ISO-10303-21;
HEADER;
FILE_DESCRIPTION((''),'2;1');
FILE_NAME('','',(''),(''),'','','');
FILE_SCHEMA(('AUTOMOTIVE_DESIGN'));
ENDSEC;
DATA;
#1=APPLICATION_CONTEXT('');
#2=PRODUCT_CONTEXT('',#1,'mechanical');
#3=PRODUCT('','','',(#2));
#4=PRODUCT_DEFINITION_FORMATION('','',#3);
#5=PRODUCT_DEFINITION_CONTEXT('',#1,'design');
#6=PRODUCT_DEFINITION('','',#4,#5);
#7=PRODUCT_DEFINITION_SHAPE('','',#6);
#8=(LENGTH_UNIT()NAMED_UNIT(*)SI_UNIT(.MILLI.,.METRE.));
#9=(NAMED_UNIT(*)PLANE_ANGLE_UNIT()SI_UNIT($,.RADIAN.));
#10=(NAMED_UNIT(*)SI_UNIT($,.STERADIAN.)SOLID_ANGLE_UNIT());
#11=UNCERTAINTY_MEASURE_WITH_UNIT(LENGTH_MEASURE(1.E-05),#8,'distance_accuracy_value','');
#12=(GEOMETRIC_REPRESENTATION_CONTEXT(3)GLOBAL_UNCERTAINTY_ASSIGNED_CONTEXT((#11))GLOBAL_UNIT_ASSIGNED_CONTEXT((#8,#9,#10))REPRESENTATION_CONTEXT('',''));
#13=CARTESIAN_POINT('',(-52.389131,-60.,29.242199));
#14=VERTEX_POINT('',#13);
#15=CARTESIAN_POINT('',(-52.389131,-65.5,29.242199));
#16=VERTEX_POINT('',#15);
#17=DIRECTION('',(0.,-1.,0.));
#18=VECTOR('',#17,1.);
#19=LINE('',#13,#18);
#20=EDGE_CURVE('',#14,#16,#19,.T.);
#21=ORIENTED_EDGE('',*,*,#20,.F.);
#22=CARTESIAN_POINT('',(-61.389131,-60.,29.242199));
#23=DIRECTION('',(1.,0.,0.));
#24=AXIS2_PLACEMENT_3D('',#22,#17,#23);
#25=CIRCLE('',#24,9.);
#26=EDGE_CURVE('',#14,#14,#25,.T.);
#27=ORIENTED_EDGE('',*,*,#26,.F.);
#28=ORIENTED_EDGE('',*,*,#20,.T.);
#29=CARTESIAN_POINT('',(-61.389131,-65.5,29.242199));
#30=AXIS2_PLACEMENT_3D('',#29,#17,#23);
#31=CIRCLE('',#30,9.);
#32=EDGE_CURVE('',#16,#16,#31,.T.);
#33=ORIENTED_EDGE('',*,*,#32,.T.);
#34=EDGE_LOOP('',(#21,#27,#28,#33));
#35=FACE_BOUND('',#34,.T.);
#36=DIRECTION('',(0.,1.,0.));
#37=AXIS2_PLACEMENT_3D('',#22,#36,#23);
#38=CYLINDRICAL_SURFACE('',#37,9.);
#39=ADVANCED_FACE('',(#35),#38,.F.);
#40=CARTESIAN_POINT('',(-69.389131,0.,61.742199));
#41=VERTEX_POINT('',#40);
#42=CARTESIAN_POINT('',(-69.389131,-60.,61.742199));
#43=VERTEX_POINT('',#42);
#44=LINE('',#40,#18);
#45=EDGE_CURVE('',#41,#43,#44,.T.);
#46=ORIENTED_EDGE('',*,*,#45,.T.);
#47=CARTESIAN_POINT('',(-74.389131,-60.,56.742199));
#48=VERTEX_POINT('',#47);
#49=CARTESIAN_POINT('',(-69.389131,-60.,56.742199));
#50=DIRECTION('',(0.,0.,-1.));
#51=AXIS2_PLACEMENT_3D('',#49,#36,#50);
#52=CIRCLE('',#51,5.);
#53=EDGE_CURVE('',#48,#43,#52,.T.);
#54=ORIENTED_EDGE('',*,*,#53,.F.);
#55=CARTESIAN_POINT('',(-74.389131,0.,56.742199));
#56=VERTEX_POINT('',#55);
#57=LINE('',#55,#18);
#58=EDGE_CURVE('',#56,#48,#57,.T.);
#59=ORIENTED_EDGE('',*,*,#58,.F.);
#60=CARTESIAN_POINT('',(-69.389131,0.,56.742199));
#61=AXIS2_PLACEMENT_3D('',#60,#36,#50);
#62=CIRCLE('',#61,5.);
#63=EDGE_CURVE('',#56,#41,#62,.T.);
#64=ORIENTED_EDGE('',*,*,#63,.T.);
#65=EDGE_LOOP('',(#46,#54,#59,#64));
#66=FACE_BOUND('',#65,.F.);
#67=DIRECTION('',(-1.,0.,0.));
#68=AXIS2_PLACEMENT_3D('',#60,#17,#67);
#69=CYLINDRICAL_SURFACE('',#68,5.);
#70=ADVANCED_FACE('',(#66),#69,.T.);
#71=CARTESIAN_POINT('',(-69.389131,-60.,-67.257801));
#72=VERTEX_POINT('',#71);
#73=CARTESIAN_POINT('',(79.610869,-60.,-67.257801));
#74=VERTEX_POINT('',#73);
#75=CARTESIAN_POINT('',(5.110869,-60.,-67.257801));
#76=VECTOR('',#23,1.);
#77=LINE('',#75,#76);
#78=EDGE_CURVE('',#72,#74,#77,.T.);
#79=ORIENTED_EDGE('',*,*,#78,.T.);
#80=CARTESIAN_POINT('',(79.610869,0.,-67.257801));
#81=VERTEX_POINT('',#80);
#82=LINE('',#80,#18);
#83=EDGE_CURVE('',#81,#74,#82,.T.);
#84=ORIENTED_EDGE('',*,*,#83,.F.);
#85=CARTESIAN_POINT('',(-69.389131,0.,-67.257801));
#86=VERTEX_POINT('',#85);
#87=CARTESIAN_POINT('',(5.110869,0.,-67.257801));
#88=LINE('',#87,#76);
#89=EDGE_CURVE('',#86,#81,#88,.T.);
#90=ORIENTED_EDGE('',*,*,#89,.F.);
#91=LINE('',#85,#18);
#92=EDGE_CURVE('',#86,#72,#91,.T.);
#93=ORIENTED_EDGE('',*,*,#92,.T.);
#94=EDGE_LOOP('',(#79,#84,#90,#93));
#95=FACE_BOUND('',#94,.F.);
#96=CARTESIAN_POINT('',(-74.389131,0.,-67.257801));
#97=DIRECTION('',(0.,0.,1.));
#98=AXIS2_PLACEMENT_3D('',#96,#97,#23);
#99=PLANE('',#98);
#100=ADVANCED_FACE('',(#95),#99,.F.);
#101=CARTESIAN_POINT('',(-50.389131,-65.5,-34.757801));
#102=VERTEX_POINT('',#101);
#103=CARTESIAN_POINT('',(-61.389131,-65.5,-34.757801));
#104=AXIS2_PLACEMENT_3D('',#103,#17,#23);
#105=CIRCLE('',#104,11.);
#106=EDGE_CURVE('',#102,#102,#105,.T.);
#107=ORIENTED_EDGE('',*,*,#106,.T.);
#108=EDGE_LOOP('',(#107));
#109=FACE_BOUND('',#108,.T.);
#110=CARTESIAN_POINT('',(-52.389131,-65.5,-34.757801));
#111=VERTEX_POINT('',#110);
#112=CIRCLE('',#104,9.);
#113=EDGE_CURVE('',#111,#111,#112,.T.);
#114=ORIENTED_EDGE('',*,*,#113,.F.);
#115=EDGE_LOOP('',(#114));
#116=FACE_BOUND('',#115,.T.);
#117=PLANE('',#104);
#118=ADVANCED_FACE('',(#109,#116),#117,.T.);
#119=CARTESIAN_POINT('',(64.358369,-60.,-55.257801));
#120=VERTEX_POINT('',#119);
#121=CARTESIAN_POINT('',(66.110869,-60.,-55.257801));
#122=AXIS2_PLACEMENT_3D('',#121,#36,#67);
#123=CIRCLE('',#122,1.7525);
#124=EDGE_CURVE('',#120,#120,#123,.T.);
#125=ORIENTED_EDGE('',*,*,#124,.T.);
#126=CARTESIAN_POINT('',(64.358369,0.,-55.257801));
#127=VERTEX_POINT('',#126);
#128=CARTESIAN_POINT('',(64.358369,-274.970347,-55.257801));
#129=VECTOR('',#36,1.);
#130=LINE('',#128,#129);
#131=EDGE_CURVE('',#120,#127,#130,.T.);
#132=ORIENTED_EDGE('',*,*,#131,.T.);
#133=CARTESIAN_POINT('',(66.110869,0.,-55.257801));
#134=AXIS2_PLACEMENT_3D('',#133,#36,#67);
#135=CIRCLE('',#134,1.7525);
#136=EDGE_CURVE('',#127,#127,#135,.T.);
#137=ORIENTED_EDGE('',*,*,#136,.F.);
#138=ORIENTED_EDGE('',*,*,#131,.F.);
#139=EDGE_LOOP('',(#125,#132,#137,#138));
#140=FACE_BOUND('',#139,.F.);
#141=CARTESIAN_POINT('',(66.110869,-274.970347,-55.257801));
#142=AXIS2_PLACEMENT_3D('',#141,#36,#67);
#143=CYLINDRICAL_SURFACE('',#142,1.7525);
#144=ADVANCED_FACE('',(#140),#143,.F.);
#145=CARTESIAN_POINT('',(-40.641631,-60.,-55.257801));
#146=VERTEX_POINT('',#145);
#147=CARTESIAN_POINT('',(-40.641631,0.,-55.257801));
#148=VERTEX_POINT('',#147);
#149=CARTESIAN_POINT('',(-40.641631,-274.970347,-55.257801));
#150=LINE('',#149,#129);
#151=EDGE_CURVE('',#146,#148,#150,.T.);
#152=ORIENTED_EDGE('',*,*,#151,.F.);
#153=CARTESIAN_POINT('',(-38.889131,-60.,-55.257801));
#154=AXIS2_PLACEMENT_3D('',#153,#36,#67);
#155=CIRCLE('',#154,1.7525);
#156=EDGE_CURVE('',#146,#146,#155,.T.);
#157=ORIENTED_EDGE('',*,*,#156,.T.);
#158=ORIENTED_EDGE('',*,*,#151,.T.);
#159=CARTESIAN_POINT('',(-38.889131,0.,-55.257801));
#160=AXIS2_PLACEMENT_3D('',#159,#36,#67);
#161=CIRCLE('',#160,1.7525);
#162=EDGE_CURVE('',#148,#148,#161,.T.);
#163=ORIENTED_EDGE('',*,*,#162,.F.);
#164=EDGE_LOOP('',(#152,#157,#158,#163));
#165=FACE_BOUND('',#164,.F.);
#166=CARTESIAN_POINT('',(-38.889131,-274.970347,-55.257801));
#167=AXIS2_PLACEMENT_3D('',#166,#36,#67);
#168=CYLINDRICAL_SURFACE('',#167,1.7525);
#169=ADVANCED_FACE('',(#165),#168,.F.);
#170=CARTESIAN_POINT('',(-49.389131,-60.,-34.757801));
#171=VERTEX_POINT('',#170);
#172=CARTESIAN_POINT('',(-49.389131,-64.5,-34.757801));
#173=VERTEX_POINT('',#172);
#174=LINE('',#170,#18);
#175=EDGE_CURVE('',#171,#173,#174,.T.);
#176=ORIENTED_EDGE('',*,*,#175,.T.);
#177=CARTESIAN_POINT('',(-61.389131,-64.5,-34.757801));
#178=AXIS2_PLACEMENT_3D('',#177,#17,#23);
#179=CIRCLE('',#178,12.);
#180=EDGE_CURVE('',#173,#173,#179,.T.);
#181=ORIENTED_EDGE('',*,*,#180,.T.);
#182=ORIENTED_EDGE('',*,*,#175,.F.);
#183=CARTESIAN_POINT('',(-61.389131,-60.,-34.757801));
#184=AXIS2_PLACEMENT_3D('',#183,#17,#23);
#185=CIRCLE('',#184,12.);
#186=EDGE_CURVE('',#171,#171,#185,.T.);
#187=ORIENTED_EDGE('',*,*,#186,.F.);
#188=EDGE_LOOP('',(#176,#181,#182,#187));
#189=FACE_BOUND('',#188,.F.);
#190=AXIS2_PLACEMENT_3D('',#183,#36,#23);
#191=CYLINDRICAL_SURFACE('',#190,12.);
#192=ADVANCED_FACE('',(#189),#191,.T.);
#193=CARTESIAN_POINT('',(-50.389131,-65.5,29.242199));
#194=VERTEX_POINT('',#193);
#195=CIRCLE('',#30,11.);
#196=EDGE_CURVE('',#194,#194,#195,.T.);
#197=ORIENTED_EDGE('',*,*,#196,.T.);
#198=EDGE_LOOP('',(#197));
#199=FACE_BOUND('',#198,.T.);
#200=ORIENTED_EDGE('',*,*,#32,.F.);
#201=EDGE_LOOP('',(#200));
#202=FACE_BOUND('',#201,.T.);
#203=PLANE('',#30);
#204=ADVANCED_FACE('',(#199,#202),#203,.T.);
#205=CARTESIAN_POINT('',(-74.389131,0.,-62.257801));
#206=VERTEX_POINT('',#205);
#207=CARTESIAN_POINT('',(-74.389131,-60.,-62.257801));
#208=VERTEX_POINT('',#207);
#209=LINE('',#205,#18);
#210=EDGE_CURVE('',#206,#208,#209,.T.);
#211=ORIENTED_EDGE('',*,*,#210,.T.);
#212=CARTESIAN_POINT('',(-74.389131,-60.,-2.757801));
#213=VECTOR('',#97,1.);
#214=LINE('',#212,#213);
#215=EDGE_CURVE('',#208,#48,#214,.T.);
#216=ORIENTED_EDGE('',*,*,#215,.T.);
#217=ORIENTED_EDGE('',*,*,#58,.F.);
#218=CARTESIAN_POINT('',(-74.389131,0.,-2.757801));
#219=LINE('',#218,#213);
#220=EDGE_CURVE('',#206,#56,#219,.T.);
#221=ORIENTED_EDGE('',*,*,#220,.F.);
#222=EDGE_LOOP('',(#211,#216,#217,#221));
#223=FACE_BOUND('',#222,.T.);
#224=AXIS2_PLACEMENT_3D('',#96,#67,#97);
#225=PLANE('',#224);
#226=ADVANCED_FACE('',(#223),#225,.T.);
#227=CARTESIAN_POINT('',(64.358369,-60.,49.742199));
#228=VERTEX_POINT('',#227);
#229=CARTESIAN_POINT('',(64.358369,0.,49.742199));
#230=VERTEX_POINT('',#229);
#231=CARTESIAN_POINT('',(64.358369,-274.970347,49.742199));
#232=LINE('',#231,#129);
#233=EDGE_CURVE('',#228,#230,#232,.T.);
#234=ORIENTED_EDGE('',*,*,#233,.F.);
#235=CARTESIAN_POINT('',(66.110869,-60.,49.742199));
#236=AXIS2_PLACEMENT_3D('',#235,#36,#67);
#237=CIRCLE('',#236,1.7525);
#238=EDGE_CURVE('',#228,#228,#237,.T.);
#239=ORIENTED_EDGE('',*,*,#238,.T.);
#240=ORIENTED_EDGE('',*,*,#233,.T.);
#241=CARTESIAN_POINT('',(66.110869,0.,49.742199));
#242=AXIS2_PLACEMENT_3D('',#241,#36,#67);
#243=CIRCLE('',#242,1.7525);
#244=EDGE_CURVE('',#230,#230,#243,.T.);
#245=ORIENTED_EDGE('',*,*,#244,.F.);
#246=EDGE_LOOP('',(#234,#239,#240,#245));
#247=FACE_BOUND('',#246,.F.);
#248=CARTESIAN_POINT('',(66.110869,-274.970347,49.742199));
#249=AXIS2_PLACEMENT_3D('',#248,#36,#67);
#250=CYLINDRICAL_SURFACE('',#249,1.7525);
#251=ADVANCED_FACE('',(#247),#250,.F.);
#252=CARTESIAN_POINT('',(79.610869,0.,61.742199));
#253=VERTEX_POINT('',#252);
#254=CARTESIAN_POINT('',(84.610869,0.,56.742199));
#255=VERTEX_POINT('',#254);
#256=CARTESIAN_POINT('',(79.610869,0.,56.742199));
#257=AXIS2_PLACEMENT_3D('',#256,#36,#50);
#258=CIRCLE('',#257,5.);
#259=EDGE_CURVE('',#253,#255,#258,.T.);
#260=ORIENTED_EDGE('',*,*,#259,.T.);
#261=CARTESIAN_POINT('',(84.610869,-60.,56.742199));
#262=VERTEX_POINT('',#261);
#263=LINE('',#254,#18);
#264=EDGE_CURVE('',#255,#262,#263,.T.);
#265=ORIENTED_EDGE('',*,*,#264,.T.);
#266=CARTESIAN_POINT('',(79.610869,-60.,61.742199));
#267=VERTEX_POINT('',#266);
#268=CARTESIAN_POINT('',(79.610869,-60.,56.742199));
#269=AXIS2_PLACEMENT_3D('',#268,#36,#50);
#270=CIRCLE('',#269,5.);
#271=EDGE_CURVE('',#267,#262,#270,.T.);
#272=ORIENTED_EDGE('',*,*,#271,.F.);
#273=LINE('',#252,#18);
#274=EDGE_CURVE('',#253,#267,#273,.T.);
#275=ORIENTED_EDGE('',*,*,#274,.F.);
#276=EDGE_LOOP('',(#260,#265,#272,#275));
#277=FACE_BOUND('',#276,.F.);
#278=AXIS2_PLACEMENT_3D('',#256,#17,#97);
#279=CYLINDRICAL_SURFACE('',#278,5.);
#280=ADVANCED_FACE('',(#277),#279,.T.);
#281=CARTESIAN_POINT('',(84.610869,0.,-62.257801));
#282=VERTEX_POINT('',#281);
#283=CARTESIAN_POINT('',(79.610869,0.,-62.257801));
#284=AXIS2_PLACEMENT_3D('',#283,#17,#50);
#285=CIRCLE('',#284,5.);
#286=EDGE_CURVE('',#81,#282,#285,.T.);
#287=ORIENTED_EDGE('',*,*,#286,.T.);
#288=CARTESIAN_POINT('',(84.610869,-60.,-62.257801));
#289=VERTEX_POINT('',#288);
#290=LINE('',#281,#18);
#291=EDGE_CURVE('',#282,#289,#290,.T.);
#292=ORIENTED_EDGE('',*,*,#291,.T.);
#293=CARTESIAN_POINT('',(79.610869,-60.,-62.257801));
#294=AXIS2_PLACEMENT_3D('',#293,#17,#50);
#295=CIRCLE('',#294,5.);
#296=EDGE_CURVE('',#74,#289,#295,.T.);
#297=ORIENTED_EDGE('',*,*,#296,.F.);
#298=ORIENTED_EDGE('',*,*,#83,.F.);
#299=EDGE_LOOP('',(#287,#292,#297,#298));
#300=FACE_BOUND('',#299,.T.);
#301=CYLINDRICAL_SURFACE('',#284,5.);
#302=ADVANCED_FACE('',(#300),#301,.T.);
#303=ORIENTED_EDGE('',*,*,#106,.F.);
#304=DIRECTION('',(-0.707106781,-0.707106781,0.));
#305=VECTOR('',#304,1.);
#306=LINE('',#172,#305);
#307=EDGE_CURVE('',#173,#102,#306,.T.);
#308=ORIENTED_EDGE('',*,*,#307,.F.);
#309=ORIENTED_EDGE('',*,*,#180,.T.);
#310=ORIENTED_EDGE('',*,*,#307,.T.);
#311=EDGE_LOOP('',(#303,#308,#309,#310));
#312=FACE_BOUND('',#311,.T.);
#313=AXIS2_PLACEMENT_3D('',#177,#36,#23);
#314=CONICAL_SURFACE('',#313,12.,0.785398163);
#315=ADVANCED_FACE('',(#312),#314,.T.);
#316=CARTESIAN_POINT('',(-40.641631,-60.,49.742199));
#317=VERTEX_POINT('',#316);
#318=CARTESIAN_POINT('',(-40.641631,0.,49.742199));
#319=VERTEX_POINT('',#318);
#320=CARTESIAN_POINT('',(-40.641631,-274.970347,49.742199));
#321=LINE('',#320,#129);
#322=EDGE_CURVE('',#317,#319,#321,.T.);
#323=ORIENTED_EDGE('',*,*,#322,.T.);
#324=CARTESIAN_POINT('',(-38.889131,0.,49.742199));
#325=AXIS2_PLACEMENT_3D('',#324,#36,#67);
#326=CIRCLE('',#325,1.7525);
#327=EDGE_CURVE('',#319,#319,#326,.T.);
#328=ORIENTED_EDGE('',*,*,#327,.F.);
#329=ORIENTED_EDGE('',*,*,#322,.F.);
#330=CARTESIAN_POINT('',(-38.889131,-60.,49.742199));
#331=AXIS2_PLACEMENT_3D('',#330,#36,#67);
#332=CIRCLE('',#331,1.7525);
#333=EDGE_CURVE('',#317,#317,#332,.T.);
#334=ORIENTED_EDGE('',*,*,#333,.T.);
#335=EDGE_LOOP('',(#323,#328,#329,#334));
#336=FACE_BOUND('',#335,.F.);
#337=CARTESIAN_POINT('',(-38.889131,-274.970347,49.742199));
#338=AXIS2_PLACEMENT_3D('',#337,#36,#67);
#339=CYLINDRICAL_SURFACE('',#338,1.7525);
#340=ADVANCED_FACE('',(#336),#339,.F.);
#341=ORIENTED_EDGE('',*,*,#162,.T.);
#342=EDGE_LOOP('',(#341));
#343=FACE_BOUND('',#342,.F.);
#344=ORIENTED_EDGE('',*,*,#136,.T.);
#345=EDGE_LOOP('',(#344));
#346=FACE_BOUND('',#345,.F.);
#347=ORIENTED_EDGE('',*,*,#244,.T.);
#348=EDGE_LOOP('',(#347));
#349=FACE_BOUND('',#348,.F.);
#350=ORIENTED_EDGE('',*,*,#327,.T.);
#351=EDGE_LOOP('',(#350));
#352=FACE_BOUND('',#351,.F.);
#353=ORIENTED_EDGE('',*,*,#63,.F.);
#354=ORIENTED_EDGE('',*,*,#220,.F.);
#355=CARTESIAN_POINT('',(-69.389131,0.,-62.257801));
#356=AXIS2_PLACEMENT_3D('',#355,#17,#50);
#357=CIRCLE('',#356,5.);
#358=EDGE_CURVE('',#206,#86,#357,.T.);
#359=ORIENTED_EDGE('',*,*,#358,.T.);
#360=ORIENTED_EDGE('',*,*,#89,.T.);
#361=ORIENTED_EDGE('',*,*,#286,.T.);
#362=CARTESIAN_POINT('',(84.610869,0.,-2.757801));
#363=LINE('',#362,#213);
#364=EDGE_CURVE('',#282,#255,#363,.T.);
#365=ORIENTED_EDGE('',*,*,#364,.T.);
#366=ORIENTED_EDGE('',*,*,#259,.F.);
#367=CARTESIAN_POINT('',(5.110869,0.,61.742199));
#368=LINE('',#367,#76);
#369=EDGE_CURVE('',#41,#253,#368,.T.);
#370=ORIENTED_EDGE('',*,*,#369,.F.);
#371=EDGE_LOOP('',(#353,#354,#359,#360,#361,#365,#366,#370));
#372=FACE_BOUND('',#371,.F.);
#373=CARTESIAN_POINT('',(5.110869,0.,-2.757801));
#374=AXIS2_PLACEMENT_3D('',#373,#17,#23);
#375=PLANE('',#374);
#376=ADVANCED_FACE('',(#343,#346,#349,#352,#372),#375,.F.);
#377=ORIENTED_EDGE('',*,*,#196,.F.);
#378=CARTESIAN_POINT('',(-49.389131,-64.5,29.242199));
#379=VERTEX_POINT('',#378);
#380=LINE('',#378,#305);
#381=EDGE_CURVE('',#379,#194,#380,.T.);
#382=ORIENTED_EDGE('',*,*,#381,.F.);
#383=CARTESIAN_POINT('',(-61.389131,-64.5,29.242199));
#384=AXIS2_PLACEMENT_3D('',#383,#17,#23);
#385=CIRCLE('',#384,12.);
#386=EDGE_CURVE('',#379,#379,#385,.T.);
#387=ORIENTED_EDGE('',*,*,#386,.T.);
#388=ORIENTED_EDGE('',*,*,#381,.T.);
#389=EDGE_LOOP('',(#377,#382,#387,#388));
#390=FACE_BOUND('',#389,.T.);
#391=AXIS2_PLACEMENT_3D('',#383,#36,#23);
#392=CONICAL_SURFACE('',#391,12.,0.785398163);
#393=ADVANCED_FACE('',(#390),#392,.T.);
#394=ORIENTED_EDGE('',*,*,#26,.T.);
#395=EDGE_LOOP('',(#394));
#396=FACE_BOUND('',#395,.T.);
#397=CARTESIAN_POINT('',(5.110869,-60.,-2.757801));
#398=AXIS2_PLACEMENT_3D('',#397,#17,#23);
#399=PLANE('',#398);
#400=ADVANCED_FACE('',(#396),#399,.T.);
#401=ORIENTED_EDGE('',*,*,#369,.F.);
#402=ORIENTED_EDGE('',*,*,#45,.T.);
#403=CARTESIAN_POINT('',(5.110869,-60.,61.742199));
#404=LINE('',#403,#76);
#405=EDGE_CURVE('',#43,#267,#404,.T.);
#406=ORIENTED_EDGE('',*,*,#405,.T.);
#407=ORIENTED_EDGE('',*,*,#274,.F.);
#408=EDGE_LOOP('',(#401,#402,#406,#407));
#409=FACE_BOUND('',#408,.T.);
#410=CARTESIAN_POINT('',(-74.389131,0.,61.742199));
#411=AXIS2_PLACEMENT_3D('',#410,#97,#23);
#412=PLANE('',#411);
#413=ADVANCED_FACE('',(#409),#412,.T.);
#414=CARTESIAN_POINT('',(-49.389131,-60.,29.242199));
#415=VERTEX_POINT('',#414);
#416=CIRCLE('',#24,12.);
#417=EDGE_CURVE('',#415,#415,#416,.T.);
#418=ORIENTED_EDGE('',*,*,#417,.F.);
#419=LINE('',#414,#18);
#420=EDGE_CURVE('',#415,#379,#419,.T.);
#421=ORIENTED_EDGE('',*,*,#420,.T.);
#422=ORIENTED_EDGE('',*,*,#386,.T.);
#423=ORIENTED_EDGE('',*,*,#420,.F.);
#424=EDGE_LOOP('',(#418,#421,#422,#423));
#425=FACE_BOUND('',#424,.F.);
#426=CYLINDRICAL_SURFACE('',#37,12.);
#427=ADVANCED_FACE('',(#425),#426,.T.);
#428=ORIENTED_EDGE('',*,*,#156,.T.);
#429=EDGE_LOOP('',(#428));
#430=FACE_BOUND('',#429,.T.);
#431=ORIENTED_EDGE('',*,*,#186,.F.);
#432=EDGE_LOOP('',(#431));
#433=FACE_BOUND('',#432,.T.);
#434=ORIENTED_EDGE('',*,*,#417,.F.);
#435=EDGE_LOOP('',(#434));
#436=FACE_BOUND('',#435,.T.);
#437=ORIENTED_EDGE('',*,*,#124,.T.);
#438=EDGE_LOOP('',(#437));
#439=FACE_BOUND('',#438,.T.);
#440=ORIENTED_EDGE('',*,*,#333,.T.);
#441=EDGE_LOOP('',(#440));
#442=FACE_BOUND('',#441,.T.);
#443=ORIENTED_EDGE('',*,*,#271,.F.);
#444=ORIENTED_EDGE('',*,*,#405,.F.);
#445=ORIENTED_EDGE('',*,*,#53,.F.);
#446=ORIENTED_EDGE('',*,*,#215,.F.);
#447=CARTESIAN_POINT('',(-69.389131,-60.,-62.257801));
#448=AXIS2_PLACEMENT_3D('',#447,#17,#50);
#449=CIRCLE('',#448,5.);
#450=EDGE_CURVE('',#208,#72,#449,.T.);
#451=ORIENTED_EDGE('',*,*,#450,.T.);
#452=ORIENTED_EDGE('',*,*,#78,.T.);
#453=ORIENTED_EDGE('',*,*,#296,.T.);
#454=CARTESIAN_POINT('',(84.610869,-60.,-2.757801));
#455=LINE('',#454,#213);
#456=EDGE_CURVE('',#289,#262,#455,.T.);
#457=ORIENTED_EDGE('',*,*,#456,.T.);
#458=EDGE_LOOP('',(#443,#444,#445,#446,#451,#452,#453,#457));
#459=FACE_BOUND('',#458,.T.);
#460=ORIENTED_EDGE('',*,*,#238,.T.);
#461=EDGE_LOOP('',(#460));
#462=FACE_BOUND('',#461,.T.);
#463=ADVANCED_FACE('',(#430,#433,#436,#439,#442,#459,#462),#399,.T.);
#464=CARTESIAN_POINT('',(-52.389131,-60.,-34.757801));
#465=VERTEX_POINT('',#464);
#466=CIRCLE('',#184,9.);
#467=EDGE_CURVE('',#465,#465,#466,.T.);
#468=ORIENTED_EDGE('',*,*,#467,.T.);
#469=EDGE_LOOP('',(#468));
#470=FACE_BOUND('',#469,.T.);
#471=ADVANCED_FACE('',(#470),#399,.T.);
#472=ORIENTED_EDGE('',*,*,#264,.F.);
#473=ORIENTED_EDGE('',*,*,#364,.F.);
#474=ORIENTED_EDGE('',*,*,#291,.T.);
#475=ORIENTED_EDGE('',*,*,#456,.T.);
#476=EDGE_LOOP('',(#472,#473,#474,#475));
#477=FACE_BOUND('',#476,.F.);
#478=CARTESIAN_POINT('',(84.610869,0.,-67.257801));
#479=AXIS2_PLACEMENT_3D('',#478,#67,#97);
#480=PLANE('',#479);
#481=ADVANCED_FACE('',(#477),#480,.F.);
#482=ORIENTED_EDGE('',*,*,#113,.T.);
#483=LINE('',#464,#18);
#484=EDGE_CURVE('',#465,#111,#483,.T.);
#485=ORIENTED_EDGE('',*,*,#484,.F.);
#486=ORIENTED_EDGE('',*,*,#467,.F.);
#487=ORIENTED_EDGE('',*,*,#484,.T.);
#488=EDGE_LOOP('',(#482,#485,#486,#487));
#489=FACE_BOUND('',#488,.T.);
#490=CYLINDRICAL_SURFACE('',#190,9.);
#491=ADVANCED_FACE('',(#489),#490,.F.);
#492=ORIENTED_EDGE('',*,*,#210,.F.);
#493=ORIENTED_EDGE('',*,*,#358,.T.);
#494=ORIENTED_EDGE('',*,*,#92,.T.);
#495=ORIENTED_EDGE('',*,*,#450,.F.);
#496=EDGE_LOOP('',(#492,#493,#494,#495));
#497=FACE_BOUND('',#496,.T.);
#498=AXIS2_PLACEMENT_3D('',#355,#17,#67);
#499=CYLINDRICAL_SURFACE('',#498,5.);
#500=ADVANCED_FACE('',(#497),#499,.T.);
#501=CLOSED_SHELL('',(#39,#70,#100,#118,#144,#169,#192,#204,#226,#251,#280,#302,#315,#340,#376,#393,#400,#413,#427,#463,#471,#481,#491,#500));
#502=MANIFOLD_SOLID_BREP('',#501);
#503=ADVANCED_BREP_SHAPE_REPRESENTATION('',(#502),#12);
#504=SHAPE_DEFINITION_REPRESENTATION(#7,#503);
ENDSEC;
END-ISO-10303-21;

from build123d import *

# Parameters (mm, degrees)
F0_W     = 159
F0_H     = 129
F1_DEPTH = 60
F2_R     = 12
F2_R_2   = 9
F3_DEPTH = 5.5
F4_R     = 5
F6_D     = 3.505
F7_SIZE  = 1


with BuildPart() as f1:
    # F0 (on Front) → F1 (new body)
    with BuildSketch(Plane.XZ):
        with Locations((5.110869, -2.757801)):
            Rectangle(F0_W, F0_H)
    extrude(amount=F1_DEPTH)

    # F2 (on face) → F3 (join)
    with BuildSketch(Plane.XZ.offset(60)):
        with Locations((-61.389131, 29.242199)):
            Circle(F2_R)
        with Locations((-61.389131, 29.242199)):
            Circle(F2_R_2, mode=Mode.SUBTRACT)
        with Locations((-61.389131, -34.757801)):
            Circle(F2_R)
        with Locations((-61.389131, -34.757801)):
            Circle(F2_R_2, mode=Mode.SUBTRACT)
    extrude(amount=F3_DEPTH)

    # F4
    f4_edges = [f1.edges().sort_by_distance(p)[0] for p in [
        (84.610869, -30, -67.257801),
        (84.610869, -30, 61.742199),
        (-74.389131, -30, 61.742199),
        (-74.389131, -30, -67.257801),
    ]]
    fillet(f4_edges, radius=F4_R)

    # F6 (through all)
    with Locations(Plane.XZ.offset(60)):
        with Locations((-38.889131, 49.742199), (66.110869, 49.742199), (-38.889131, -55.257801), (66.110869, -55.257801)):
            Hole(F6_D / 2)

    # F7
    f7_edges = [f1.edges().sort_by_distance(p)[0] for p in [
        (-73.389131, -65.5, 29.242199),
        (-73.389131, -65.5, -34.757801),
    ]]
    chamfer(f7_edges, length=F7_SIZE)


solid = f1.part
